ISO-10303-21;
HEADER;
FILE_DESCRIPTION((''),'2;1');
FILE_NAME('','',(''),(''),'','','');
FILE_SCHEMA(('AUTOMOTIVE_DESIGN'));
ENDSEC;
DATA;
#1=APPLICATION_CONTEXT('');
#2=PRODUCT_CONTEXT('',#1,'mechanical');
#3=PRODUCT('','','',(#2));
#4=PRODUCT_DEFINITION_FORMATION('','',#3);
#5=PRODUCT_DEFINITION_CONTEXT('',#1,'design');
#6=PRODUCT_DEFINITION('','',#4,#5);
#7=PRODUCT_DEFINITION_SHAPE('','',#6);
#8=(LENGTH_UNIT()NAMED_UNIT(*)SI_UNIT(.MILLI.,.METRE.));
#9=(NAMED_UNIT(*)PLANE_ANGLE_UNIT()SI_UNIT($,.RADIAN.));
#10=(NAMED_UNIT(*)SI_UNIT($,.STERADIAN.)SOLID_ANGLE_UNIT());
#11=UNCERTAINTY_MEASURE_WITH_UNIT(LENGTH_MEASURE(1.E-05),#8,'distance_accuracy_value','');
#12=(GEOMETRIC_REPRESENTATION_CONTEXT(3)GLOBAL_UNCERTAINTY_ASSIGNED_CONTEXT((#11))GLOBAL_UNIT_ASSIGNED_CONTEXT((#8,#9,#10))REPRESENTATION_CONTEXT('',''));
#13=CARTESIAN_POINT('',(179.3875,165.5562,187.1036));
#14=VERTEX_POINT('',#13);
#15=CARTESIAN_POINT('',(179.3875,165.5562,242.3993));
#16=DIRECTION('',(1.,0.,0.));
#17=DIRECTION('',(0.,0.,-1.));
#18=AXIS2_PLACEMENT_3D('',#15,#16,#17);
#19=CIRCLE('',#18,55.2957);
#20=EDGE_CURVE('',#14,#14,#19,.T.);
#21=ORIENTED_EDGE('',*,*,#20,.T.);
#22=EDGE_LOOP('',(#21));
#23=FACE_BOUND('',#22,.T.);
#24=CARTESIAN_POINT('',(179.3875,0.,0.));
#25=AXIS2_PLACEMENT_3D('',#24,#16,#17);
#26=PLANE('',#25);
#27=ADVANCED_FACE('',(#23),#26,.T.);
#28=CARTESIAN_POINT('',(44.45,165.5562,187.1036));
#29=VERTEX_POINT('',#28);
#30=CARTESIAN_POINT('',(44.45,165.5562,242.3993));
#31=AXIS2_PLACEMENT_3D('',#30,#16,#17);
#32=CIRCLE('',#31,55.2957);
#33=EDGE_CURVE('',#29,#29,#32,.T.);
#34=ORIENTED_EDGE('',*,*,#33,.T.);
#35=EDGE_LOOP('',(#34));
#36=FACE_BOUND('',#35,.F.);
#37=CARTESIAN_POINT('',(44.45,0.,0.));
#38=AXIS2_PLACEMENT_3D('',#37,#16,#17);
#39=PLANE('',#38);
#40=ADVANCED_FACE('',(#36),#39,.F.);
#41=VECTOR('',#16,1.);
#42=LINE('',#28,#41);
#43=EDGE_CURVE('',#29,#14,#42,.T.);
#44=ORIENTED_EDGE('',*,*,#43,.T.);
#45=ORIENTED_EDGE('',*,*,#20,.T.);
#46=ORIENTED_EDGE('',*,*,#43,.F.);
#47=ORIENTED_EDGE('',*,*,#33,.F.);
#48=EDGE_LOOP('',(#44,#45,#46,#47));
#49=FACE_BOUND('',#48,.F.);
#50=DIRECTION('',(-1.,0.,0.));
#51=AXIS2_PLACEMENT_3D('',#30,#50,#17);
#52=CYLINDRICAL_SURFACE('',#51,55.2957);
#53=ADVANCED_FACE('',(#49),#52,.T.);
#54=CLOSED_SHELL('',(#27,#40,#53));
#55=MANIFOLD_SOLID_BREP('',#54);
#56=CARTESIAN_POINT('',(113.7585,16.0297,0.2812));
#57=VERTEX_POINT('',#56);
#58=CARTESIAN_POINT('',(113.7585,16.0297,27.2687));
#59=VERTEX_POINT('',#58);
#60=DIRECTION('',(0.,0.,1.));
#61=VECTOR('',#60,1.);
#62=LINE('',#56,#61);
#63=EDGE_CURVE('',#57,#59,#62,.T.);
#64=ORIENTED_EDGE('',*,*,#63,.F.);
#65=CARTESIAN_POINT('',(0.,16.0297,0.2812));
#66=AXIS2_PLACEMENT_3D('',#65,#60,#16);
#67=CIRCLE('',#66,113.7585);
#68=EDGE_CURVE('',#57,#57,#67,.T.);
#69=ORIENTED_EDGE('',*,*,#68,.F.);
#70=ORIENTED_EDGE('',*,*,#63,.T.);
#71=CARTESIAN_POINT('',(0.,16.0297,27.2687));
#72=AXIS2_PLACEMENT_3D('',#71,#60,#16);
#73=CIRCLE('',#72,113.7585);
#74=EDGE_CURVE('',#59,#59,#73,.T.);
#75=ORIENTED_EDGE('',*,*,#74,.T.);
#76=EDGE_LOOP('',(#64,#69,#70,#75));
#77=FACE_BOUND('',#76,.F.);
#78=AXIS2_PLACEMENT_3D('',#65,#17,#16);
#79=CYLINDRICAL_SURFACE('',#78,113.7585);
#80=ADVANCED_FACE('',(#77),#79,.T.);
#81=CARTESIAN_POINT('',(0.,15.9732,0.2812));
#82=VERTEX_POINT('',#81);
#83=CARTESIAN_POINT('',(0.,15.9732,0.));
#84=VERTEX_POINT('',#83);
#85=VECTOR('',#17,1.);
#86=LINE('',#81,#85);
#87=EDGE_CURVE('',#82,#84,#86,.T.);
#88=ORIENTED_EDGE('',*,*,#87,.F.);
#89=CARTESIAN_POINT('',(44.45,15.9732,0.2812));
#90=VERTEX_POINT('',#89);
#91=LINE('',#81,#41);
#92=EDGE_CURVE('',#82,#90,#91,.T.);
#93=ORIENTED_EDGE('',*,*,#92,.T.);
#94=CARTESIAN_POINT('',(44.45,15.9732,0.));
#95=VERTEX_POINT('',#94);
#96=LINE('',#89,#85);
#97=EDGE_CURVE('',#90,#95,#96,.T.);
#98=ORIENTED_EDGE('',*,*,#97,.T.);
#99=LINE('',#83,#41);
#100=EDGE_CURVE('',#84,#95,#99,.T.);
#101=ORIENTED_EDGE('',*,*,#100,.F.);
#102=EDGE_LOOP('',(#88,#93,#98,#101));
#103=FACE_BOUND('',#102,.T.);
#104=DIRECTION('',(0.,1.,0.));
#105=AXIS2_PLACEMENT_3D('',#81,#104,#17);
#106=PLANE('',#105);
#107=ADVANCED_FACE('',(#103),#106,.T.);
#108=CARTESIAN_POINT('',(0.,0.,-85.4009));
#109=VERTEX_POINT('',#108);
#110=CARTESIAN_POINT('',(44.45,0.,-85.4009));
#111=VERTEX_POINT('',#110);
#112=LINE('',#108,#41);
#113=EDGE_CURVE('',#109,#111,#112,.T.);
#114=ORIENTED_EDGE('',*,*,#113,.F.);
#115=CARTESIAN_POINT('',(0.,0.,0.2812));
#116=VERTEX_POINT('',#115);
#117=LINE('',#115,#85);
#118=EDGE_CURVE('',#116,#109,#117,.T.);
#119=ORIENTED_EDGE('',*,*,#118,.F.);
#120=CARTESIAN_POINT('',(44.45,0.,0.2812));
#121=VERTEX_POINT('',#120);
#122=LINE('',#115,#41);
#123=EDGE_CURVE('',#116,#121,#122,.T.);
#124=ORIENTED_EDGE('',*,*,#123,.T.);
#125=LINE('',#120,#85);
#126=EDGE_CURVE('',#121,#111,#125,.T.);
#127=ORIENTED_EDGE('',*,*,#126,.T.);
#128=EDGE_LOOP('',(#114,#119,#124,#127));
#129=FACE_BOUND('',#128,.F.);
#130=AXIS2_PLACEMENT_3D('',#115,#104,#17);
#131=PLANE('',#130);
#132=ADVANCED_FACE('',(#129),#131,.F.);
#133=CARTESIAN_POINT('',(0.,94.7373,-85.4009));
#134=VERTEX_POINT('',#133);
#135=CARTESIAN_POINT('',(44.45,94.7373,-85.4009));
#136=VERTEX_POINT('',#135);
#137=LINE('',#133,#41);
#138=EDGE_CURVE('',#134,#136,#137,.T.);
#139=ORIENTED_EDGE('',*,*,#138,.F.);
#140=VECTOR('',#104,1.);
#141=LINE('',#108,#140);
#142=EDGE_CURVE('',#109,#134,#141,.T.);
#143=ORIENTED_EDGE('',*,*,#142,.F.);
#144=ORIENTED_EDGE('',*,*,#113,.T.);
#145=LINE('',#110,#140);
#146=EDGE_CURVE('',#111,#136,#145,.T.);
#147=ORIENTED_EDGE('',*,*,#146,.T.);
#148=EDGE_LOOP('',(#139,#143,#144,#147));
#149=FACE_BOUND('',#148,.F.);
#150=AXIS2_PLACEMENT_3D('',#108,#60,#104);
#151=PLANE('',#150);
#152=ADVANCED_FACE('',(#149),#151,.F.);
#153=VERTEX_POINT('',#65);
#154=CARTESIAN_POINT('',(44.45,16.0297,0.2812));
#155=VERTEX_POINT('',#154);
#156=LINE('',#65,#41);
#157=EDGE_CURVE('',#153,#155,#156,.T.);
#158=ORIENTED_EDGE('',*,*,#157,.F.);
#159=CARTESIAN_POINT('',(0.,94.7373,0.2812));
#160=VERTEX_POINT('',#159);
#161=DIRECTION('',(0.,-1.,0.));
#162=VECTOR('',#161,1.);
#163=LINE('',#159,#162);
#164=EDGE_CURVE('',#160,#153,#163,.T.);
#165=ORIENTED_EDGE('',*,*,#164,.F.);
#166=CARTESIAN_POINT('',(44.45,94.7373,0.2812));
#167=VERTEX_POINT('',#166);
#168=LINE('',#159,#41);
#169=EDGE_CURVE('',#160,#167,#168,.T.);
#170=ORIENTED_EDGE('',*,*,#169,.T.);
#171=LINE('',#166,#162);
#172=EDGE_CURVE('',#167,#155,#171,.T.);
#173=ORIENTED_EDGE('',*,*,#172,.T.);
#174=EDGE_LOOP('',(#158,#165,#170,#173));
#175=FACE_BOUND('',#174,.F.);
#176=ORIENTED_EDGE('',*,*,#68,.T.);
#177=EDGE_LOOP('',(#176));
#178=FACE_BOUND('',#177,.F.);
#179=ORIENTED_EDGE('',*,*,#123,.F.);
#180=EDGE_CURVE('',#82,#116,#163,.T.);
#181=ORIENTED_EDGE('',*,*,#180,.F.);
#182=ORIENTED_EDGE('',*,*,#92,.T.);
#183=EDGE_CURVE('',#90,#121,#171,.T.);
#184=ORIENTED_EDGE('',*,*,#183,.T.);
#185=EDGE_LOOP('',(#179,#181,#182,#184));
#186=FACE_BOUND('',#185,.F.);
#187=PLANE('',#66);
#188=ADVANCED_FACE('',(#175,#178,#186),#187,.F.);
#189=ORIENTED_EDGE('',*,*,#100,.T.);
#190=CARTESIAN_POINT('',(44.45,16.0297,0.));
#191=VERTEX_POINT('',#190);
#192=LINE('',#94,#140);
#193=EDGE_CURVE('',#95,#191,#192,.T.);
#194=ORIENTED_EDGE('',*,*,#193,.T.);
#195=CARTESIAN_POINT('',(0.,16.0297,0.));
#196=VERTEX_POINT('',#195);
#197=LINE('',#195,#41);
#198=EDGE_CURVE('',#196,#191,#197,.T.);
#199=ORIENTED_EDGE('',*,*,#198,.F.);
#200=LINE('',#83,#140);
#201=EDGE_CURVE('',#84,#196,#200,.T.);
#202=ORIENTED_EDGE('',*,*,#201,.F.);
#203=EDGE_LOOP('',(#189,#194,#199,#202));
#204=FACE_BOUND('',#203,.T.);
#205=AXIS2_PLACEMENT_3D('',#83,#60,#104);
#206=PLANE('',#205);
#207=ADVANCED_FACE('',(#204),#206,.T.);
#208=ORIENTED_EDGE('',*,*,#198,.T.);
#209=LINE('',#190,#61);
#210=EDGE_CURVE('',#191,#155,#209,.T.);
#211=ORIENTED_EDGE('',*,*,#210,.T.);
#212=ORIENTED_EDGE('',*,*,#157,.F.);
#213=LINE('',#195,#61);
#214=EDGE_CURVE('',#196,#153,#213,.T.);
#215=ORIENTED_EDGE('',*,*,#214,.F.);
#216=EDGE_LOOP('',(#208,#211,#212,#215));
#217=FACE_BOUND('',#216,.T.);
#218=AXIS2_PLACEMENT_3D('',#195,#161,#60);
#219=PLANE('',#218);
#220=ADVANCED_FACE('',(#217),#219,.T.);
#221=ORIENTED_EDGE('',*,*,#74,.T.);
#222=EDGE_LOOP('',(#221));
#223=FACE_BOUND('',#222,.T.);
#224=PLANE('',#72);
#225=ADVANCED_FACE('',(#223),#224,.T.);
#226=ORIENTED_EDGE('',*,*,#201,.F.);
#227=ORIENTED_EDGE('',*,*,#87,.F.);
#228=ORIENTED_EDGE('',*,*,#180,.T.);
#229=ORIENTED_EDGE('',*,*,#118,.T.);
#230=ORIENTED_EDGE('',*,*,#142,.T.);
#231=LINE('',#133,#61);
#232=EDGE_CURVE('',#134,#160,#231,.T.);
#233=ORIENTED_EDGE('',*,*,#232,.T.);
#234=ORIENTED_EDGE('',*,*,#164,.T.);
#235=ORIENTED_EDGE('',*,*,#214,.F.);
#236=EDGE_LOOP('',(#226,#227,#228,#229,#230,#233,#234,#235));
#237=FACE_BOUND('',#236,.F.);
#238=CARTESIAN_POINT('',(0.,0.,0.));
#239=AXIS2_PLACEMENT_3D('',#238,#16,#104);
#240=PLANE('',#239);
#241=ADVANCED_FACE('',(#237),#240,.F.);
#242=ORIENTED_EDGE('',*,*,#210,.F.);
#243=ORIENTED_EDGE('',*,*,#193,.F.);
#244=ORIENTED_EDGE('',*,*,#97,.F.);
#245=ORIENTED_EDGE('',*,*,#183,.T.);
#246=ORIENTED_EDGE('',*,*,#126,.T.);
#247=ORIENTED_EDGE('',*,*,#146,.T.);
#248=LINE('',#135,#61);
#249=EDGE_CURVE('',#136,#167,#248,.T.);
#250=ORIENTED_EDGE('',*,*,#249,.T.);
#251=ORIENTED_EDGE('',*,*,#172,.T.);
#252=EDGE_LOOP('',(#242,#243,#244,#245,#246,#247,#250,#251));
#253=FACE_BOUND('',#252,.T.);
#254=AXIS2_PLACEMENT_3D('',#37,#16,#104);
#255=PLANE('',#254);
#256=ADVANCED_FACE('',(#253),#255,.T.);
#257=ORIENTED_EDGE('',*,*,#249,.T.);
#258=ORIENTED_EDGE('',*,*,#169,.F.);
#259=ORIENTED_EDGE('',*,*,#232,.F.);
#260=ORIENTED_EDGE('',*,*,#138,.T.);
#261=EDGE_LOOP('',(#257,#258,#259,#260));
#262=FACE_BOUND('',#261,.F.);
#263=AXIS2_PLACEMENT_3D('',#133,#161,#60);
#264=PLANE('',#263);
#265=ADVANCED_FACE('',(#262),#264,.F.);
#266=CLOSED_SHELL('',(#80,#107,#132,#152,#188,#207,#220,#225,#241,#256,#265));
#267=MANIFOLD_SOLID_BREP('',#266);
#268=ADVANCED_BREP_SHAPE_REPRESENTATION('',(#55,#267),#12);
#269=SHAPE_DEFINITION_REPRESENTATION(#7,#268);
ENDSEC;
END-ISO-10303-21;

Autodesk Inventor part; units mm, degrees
ref_plane "YZ Plane" through (0, 0, 0) normal (1, 0, 0) x (0, 1, 0)
ref_plane "XZ Plane" through (0, 0, 0) normal (0, 1, 0) x (-1, 0, 0)
ref_plane "XY Plane" through (0, 0, 0) normal (0, 0, 1) x (1, 0, 0)
sketch "Sketch1" plane through (0, 0, 0) normal (1, 0, 0) x (0, 1, 0)
  line L0 (16.0297, 0.2812) -> (15.9732, 0.2812)
  line L1 (15.9732, 0.2812) -> (15.9732, 0)
  line L2 (15.9732, 0) -> (16.0297, 0)
  line L3 (16.0297, 0) -> (16.0297, 0.2812)
  line L4 (94.7373, 0.2812) -> (0, 0.2812)
  line L5 (0, 0.2812) -> (0, -85.4009)
  line L6 (0, -85.4009) -> (94.7373, -85.4009)
  line L7 (94.7373, -85.4009) -> (94.7373, 0.2812)
  point P0 (0, 0)
extrude "Extrusion1" add sketch "Sketch1" along normal blind 44.45 contours L4 L7 L6 L5 L1 L2 L3
sketch "Sketch2" plane through (44.45, 0, 0) normal (1, 0, 0) x (0, 0, -1)
  circle A0 centre (-242.3993, 165.5562) radius 55.2957
  point P0 (0, 0)
extrude "Extrusion2" add sketch "Sketch2" along normal blind 134.9375
sketch "Sketch3" plane through (0, 16.0297, 0.2812) normal (0, 0, 1) x (1, 0, 0)
  point P0 (0, -16.0297)
sketch "Sketch4" plane through (0, 16.0297, 0.2812) normal (0, 0, 1) x (1, 0, 0)
  circle A0 centre (0, 0) radius 113.7585
  point P0 (2.7076, 1.8404)
extrude "Extrusion3" add sketch "Sketch4" along normal blind 26.9875
properties part number "A2.5_Titus_RectangularPrisim"
